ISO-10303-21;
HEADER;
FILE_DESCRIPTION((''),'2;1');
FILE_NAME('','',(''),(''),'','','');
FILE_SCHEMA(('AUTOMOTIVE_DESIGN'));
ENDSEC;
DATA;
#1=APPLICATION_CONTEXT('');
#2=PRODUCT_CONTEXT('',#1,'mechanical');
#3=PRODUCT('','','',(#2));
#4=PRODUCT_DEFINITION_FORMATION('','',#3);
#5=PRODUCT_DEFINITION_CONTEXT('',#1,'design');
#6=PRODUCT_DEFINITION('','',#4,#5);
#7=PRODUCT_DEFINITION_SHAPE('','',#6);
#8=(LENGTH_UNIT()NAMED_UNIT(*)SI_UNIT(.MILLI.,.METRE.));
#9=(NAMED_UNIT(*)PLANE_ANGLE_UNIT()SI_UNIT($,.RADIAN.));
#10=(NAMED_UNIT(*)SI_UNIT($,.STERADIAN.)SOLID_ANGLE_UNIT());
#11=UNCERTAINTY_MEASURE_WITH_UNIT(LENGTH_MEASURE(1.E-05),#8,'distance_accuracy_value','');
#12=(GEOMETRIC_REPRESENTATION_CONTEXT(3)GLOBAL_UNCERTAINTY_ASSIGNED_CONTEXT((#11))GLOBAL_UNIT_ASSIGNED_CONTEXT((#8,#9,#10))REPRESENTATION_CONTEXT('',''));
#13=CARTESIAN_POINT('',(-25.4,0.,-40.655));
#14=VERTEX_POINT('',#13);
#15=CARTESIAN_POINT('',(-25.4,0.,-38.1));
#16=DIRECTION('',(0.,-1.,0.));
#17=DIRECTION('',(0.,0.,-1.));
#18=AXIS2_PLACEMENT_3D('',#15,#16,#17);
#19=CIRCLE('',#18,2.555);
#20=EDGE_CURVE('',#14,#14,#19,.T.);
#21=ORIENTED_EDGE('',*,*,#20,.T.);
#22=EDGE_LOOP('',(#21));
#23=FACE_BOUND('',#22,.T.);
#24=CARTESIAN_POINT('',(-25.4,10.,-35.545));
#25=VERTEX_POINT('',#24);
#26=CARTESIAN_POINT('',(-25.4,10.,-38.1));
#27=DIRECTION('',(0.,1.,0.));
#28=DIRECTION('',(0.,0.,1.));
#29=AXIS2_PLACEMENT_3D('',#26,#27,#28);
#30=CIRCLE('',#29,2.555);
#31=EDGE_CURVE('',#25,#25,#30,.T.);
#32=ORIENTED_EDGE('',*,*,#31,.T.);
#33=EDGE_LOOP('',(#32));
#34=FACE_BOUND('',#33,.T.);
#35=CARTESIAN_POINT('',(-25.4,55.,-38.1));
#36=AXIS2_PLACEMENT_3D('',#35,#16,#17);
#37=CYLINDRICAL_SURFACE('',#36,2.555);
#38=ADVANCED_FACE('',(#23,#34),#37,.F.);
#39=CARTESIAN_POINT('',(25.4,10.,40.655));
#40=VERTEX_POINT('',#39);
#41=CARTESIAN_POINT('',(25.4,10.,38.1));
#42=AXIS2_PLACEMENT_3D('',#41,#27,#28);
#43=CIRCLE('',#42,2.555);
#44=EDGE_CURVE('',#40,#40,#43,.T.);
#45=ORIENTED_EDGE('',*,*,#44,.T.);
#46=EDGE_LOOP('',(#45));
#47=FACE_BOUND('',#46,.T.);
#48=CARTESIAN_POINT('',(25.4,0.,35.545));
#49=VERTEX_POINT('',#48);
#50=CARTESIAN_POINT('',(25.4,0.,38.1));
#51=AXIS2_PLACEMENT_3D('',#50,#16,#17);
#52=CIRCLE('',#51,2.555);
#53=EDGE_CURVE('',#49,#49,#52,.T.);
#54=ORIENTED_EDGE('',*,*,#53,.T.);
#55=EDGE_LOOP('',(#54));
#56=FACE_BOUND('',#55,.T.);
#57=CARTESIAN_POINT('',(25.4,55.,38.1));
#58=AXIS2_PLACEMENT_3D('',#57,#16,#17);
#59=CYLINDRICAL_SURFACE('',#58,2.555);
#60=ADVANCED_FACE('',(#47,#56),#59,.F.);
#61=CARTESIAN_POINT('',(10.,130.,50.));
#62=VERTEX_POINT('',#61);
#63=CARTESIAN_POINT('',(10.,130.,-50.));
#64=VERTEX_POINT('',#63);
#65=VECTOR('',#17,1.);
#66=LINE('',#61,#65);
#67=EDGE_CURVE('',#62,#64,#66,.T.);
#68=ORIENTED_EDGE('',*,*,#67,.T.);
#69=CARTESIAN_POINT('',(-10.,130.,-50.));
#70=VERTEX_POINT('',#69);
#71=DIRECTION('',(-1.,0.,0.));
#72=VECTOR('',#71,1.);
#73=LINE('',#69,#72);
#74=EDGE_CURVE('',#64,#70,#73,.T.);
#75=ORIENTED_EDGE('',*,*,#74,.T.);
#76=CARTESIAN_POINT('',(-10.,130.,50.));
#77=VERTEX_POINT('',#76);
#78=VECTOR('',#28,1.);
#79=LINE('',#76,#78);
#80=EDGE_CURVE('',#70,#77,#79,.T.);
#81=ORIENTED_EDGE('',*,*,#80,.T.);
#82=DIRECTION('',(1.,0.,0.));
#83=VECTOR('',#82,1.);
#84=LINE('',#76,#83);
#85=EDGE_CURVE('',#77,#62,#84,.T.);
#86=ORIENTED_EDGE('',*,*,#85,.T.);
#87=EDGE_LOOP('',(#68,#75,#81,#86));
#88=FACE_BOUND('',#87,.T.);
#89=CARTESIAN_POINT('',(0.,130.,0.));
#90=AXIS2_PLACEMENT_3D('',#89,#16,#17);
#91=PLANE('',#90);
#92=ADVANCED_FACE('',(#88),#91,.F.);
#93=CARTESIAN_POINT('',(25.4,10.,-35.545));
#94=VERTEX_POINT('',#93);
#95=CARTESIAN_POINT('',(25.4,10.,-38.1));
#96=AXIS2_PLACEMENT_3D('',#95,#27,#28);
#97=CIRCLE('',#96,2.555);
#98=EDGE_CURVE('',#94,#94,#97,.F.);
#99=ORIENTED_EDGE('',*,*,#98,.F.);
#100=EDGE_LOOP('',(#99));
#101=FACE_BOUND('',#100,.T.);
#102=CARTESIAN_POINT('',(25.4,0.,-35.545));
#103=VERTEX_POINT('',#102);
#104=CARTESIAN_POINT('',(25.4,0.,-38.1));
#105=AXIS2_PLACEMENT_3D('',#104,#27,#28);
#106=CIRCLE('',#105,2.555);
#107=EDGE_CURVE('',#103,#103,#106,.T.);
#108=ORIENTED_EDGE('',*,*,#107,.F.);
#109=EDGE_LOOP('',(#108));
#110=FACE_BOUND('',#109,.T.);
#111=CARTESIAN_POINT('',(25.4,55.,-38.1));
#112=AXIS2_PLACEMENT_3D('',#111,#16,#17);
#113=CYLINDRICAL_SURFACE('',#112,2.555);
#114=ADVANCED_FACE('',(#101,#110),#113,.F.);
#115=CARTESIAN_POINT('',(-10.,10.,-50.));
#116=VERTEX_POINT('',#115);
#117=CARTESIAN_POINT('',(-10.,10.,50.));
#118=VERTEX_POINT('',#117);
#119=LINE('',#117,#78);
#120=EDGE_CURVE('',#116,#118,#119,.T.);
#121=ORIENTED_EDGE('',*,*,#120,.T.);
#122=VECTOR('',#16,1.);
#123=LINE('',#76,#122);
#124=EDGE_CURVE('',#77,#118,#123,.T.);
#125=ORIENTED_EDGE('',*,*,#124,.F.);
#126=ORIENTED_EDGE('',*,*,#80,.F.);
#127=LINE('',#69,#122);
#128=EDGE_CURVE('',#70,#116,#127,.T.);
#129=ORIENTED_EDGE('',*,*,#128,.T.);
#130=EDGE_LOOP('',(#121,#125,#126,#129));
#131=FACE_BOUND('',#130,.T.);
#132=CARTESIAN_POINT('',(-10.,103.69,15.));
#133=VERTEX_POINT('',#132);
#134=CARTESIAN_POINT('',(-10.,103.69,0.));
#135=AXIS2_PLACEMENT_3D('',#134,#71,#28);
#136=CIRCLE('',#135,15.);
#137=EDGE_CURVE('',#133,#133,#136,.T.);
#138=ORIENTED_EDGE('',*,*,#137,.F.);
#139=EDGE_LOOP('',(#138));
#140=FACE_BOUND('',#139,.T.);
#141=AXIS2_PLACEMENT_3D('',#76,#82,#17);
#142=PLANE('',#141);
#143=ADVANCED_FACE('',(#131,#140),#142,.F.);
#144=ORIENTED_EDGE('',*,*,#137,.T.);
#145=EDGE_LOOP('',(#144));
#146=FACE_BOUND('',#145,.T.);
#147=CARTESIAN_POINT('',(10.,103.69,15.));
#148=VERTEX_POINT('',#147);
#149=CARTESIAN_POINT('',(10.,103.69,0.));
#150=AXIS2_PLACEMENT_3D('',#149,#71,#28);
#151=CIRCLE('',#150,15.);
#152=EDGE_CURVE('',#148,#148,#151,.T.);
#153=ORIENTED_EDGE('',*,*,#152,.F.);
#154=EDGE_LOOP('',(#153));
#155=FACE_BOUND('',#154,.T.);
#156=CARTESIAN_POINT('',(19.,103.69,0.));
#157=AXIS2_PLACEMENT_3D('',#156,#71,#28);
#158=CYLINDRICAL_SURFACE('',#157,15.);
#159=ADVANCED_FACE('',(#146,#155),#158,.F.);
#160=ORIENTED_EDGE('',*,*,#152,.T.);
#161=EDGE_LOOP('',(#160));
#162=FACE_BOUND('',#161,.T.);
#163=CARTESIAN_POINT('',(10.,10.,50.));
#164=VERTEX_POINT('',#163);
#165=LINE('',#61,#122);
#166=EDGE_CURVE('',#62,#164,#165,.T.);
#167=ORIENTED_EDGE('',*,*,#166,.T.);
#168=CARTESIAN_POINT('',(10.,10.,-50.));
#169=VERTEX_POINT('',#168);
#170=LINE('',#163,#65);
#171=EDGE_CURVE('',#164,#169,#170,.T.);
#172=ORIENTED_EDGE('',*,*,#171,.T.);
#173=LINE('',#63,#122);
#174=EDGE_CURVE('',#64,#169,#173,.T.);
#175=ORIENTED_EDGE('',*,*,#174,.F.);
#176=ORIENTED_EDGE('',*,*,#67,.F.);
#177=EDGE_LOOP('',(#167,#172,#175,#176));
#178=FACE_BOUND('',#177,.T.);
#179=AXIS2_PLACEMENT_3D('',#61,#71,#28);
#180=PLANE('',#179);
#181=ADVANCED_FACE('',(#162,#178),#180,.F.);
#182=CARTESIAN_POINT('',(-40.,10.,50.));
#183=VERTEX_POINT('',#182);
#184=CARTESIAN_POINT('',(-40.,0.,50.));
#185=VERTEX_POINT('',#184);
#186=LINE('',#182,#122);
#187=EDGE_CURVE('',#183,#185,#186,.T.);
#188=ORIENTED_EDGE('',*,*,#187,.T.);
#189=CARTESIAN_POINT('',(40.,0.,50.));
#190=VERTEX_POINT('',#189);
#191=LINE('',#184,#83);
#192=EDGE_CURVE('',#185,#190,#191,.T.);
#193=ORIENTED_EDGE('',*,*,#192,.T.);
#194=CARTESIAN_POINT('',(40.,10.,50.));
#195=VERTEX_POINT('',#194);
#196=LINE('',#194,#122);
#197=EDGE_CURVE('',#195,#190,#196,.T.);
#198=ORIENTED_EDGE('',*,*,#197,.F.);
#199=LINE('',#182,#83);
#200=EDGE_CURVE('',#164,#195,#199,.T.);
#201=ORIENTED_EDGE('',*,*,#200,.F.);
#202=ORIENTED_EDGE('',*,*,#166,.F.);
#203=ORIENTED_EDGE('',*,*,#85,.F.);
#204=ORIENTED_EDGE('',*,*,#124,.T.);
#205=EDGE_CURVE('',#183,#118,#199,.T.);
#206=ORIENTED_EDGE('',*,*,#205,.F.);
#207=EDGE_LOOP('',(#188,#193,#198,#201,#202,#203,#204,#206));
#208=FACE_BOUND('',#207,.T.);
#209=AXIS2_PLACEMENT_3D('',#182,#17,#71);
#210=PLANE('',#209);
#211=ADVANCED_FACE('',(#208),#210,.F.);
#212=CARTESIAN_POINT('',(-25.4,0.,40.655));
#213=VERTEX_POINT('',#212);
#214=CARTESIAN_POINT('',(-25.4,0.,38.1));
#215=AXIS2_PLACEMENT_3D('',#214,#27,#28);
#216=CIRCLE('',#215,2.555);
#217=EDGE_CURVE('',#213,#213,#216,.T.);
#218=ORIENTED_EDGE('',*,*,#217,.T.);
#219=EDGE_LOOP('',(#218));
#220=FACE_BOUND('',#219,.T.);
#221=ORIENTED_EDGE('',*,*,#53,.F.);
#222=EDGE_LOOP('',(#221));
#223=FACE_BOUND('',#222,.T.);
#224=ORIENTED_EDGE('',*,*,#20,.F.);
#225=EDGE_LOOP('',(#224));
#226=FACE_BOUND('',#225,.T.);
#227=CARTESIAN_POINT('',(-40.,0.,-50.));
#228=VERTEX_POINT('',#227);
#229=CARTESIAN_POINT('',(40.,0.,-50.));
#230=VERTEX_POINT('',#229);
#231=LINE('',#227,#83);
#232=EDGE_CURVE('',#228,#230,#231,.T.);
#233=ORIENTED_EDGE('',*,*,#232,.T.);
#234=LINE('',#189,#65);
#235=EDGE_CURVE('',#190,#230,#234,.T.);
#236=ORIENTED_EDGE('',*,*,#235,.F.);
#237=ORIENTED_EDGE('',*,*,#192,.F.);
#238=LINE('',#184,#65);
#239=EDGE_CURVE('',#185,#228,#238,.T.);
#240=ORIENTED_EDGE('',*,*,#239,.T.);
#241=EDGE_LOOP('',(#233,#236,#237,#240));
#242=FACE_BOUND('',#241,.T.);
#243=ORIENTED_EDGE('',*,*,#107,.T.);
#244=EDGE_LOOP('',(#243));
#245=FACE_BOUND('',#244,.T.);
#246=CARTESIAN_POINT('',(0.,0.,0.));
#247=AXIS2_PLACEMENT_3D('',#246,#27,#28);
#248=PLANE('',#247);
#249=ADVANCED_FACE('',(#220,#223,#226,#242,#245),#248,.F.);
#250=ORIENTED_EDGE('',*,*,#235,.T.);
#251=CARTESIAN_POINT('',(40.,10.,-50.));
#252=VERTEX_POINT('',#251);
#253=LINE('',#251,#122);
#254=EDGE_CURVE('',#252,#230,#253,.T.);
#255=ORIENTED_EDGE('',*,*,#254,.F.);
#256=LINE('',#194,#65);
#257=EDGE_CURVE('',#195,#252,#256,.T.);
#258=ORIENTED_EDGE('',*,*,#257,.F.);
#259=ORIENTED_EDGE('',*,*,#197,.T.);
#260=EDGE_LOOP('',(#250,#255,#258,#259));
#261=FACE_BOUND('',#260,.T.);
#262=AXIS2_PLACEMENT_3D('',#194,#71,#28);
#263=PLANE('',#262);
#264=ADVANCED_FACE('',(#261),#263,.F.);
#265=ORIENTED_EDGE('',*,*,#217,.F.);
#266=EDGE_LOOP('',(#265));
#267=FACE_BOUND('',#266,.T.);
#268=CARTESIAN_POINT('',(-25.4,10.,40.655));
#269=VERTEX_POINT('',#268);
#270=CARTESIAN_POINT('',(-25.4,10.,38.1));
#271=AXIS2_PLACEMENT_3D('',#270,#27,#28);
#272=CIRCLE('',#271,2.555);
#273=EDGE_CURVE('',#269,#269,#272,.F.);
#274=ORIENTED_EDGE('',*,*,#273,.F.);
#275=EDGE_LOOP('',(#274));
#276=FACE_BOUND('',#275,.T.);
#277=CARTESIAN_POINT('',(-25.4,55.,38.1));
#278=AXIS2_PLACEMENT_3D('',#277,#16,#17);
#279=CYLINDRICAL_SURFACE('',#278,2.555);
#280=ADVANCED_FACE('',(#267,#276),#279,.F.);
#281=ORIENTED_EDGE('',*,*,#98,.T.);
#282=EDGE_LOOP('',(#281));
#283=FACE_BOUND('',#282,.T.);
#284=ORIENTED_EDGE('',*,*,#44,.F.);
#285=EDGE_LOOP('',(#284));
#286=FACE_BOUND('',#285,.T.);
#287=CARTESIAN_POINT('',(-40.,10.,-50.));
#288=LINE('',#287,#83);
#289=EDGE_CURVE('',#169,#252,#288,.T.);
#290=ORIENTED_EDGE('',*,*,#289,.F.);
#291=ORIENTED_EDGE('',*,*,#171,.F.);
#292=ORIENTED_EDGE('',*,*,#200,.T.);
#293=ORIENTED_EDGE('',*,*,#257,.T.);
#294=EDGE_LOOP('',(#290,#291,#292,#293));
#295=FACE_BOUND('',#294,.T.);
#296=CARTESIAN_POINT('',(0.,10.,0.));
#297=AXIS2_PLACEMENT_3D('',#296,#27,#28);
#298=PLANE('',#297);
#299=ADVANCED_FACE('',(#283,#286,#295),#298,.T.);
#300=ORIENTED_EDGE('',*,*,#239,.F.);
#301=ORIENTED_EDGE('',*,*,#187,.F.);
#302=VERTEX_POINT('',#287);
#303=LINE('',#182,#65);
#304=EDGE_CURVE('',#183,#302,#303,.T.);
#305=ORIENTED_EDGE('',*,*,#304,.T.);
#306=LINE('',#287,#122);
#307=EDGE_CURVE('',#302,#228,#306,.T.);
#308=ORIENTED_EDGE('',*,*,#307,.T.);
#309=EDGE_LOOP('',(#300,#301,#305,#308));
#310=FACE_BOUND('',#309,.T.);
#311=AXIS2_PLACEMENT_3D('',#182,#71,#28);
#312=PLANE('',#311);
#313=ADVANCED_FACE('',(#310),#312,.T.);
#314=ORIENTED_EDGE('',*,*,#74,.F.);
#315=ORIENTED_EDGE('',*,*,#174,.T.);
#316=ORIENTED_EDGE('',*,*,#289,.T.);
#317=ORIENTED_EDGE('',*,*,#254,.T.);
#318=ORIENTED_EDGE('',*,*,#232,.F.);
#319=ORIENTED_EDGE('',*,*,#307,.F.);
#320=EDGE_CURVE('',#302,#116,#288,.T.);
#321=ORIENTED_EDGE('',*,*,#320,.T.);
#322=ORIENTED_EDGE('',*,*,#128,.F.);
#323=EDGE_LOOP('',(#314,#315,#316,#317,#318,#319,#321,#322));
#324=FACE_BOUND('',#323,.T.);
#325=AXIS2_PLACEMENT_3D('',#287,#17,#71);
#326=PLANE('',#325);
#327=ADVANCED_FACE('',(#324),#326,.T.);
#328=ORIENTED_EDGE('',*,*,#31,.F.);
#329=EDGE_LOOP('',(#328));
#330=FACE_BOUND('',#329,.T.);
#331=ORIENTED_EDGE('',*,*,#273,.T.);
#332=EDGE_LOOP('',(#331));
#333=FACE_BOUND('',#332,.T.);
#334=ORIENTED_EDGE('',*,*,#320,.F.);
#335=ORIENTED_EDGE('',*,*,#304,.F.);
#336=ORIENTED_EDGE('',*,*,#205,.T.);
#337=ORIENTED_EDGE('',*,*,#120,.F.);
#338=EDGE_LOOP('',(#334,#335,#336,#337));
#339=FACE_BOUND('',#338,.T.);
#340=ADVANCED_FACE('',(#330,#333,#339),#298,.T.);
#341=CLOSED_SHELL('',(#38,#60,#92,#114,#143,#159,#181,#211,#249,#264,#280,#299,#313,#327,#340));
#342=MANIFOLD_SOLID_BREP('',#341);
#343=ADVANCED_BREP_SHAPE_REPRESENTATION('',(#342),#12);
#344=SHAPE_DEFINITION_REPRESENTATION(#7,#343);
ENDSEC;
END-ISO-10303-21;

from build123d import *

# Parameters (mm, degrees)
SKETCH2_W           = 80
SKETCH2_H           = 100
BOSS_EXTRUDE1_DEPTH = 10
SKETCH3_W           = 20
SKETCH3_H           = 100
BOSS_EXTRUDE2_DEPTH = 120
SKETCH5_R           = 2.555
CUT_EXTRUDE2_DEPTH  = 55
SKETCH4_R           = 15
CUT_EXTRUDE3_DEPTH  = 29


with BuildPart() as part:
    # Sketch2 → Boss-Extrude1 (new body)
    with BuildSketch(Plane(origin=(0, 0, 0), x_dir=(1, 0, 0), z_dir=(0, 1, 0))):
        Rectangle(SKETCH2_W, SKETCH2_H)
    extrude(amount=BOSS_EXTRUDE1_DEPTH)

    # Sketch3 → Boss-Extrude2 (add)
    with BuildSketch(Plane(origin=(0, 10, 0), x_dir=(1, 0, 0), z_dir=(0, 1, 0))):
        Rectangle(SKETCH3_W, SKETCH3_H)
    extrude(amount=BOSS_EXTRUDE2_DEPTH)

    # Sketch5 → Cut-Extrude2 (cut)
    with BuildSketch(Plane.XZ):
        with Locations((-25.4, -38.1)):
            Circle(SKETCH5_R)
        with Locations((25.4, -38.1)):
            Circle(SKETCH5_R)
        with Locations((-25.4, 38.1)):
            Circle(SKETCH5_R)
        with Locations((25.4, 38.1)):
            Circle(SKETCH5_R)
    extrude(amount=-CUT_EXTRUDE2_DEPTH, mode=Mode.SUBTRACT)

    # Sketch4 → Cut-Extrude3 (cut)
    with BuildSketch(Plane.ZY.offset(10)):
        with Locations((0, 103.69)):
            Circle(SKETCH4_R)
    extrude(amount=-CUT_EXTRUDE3_DEPTH, mode=Mode.SUBTRACT)


solid = part.part
